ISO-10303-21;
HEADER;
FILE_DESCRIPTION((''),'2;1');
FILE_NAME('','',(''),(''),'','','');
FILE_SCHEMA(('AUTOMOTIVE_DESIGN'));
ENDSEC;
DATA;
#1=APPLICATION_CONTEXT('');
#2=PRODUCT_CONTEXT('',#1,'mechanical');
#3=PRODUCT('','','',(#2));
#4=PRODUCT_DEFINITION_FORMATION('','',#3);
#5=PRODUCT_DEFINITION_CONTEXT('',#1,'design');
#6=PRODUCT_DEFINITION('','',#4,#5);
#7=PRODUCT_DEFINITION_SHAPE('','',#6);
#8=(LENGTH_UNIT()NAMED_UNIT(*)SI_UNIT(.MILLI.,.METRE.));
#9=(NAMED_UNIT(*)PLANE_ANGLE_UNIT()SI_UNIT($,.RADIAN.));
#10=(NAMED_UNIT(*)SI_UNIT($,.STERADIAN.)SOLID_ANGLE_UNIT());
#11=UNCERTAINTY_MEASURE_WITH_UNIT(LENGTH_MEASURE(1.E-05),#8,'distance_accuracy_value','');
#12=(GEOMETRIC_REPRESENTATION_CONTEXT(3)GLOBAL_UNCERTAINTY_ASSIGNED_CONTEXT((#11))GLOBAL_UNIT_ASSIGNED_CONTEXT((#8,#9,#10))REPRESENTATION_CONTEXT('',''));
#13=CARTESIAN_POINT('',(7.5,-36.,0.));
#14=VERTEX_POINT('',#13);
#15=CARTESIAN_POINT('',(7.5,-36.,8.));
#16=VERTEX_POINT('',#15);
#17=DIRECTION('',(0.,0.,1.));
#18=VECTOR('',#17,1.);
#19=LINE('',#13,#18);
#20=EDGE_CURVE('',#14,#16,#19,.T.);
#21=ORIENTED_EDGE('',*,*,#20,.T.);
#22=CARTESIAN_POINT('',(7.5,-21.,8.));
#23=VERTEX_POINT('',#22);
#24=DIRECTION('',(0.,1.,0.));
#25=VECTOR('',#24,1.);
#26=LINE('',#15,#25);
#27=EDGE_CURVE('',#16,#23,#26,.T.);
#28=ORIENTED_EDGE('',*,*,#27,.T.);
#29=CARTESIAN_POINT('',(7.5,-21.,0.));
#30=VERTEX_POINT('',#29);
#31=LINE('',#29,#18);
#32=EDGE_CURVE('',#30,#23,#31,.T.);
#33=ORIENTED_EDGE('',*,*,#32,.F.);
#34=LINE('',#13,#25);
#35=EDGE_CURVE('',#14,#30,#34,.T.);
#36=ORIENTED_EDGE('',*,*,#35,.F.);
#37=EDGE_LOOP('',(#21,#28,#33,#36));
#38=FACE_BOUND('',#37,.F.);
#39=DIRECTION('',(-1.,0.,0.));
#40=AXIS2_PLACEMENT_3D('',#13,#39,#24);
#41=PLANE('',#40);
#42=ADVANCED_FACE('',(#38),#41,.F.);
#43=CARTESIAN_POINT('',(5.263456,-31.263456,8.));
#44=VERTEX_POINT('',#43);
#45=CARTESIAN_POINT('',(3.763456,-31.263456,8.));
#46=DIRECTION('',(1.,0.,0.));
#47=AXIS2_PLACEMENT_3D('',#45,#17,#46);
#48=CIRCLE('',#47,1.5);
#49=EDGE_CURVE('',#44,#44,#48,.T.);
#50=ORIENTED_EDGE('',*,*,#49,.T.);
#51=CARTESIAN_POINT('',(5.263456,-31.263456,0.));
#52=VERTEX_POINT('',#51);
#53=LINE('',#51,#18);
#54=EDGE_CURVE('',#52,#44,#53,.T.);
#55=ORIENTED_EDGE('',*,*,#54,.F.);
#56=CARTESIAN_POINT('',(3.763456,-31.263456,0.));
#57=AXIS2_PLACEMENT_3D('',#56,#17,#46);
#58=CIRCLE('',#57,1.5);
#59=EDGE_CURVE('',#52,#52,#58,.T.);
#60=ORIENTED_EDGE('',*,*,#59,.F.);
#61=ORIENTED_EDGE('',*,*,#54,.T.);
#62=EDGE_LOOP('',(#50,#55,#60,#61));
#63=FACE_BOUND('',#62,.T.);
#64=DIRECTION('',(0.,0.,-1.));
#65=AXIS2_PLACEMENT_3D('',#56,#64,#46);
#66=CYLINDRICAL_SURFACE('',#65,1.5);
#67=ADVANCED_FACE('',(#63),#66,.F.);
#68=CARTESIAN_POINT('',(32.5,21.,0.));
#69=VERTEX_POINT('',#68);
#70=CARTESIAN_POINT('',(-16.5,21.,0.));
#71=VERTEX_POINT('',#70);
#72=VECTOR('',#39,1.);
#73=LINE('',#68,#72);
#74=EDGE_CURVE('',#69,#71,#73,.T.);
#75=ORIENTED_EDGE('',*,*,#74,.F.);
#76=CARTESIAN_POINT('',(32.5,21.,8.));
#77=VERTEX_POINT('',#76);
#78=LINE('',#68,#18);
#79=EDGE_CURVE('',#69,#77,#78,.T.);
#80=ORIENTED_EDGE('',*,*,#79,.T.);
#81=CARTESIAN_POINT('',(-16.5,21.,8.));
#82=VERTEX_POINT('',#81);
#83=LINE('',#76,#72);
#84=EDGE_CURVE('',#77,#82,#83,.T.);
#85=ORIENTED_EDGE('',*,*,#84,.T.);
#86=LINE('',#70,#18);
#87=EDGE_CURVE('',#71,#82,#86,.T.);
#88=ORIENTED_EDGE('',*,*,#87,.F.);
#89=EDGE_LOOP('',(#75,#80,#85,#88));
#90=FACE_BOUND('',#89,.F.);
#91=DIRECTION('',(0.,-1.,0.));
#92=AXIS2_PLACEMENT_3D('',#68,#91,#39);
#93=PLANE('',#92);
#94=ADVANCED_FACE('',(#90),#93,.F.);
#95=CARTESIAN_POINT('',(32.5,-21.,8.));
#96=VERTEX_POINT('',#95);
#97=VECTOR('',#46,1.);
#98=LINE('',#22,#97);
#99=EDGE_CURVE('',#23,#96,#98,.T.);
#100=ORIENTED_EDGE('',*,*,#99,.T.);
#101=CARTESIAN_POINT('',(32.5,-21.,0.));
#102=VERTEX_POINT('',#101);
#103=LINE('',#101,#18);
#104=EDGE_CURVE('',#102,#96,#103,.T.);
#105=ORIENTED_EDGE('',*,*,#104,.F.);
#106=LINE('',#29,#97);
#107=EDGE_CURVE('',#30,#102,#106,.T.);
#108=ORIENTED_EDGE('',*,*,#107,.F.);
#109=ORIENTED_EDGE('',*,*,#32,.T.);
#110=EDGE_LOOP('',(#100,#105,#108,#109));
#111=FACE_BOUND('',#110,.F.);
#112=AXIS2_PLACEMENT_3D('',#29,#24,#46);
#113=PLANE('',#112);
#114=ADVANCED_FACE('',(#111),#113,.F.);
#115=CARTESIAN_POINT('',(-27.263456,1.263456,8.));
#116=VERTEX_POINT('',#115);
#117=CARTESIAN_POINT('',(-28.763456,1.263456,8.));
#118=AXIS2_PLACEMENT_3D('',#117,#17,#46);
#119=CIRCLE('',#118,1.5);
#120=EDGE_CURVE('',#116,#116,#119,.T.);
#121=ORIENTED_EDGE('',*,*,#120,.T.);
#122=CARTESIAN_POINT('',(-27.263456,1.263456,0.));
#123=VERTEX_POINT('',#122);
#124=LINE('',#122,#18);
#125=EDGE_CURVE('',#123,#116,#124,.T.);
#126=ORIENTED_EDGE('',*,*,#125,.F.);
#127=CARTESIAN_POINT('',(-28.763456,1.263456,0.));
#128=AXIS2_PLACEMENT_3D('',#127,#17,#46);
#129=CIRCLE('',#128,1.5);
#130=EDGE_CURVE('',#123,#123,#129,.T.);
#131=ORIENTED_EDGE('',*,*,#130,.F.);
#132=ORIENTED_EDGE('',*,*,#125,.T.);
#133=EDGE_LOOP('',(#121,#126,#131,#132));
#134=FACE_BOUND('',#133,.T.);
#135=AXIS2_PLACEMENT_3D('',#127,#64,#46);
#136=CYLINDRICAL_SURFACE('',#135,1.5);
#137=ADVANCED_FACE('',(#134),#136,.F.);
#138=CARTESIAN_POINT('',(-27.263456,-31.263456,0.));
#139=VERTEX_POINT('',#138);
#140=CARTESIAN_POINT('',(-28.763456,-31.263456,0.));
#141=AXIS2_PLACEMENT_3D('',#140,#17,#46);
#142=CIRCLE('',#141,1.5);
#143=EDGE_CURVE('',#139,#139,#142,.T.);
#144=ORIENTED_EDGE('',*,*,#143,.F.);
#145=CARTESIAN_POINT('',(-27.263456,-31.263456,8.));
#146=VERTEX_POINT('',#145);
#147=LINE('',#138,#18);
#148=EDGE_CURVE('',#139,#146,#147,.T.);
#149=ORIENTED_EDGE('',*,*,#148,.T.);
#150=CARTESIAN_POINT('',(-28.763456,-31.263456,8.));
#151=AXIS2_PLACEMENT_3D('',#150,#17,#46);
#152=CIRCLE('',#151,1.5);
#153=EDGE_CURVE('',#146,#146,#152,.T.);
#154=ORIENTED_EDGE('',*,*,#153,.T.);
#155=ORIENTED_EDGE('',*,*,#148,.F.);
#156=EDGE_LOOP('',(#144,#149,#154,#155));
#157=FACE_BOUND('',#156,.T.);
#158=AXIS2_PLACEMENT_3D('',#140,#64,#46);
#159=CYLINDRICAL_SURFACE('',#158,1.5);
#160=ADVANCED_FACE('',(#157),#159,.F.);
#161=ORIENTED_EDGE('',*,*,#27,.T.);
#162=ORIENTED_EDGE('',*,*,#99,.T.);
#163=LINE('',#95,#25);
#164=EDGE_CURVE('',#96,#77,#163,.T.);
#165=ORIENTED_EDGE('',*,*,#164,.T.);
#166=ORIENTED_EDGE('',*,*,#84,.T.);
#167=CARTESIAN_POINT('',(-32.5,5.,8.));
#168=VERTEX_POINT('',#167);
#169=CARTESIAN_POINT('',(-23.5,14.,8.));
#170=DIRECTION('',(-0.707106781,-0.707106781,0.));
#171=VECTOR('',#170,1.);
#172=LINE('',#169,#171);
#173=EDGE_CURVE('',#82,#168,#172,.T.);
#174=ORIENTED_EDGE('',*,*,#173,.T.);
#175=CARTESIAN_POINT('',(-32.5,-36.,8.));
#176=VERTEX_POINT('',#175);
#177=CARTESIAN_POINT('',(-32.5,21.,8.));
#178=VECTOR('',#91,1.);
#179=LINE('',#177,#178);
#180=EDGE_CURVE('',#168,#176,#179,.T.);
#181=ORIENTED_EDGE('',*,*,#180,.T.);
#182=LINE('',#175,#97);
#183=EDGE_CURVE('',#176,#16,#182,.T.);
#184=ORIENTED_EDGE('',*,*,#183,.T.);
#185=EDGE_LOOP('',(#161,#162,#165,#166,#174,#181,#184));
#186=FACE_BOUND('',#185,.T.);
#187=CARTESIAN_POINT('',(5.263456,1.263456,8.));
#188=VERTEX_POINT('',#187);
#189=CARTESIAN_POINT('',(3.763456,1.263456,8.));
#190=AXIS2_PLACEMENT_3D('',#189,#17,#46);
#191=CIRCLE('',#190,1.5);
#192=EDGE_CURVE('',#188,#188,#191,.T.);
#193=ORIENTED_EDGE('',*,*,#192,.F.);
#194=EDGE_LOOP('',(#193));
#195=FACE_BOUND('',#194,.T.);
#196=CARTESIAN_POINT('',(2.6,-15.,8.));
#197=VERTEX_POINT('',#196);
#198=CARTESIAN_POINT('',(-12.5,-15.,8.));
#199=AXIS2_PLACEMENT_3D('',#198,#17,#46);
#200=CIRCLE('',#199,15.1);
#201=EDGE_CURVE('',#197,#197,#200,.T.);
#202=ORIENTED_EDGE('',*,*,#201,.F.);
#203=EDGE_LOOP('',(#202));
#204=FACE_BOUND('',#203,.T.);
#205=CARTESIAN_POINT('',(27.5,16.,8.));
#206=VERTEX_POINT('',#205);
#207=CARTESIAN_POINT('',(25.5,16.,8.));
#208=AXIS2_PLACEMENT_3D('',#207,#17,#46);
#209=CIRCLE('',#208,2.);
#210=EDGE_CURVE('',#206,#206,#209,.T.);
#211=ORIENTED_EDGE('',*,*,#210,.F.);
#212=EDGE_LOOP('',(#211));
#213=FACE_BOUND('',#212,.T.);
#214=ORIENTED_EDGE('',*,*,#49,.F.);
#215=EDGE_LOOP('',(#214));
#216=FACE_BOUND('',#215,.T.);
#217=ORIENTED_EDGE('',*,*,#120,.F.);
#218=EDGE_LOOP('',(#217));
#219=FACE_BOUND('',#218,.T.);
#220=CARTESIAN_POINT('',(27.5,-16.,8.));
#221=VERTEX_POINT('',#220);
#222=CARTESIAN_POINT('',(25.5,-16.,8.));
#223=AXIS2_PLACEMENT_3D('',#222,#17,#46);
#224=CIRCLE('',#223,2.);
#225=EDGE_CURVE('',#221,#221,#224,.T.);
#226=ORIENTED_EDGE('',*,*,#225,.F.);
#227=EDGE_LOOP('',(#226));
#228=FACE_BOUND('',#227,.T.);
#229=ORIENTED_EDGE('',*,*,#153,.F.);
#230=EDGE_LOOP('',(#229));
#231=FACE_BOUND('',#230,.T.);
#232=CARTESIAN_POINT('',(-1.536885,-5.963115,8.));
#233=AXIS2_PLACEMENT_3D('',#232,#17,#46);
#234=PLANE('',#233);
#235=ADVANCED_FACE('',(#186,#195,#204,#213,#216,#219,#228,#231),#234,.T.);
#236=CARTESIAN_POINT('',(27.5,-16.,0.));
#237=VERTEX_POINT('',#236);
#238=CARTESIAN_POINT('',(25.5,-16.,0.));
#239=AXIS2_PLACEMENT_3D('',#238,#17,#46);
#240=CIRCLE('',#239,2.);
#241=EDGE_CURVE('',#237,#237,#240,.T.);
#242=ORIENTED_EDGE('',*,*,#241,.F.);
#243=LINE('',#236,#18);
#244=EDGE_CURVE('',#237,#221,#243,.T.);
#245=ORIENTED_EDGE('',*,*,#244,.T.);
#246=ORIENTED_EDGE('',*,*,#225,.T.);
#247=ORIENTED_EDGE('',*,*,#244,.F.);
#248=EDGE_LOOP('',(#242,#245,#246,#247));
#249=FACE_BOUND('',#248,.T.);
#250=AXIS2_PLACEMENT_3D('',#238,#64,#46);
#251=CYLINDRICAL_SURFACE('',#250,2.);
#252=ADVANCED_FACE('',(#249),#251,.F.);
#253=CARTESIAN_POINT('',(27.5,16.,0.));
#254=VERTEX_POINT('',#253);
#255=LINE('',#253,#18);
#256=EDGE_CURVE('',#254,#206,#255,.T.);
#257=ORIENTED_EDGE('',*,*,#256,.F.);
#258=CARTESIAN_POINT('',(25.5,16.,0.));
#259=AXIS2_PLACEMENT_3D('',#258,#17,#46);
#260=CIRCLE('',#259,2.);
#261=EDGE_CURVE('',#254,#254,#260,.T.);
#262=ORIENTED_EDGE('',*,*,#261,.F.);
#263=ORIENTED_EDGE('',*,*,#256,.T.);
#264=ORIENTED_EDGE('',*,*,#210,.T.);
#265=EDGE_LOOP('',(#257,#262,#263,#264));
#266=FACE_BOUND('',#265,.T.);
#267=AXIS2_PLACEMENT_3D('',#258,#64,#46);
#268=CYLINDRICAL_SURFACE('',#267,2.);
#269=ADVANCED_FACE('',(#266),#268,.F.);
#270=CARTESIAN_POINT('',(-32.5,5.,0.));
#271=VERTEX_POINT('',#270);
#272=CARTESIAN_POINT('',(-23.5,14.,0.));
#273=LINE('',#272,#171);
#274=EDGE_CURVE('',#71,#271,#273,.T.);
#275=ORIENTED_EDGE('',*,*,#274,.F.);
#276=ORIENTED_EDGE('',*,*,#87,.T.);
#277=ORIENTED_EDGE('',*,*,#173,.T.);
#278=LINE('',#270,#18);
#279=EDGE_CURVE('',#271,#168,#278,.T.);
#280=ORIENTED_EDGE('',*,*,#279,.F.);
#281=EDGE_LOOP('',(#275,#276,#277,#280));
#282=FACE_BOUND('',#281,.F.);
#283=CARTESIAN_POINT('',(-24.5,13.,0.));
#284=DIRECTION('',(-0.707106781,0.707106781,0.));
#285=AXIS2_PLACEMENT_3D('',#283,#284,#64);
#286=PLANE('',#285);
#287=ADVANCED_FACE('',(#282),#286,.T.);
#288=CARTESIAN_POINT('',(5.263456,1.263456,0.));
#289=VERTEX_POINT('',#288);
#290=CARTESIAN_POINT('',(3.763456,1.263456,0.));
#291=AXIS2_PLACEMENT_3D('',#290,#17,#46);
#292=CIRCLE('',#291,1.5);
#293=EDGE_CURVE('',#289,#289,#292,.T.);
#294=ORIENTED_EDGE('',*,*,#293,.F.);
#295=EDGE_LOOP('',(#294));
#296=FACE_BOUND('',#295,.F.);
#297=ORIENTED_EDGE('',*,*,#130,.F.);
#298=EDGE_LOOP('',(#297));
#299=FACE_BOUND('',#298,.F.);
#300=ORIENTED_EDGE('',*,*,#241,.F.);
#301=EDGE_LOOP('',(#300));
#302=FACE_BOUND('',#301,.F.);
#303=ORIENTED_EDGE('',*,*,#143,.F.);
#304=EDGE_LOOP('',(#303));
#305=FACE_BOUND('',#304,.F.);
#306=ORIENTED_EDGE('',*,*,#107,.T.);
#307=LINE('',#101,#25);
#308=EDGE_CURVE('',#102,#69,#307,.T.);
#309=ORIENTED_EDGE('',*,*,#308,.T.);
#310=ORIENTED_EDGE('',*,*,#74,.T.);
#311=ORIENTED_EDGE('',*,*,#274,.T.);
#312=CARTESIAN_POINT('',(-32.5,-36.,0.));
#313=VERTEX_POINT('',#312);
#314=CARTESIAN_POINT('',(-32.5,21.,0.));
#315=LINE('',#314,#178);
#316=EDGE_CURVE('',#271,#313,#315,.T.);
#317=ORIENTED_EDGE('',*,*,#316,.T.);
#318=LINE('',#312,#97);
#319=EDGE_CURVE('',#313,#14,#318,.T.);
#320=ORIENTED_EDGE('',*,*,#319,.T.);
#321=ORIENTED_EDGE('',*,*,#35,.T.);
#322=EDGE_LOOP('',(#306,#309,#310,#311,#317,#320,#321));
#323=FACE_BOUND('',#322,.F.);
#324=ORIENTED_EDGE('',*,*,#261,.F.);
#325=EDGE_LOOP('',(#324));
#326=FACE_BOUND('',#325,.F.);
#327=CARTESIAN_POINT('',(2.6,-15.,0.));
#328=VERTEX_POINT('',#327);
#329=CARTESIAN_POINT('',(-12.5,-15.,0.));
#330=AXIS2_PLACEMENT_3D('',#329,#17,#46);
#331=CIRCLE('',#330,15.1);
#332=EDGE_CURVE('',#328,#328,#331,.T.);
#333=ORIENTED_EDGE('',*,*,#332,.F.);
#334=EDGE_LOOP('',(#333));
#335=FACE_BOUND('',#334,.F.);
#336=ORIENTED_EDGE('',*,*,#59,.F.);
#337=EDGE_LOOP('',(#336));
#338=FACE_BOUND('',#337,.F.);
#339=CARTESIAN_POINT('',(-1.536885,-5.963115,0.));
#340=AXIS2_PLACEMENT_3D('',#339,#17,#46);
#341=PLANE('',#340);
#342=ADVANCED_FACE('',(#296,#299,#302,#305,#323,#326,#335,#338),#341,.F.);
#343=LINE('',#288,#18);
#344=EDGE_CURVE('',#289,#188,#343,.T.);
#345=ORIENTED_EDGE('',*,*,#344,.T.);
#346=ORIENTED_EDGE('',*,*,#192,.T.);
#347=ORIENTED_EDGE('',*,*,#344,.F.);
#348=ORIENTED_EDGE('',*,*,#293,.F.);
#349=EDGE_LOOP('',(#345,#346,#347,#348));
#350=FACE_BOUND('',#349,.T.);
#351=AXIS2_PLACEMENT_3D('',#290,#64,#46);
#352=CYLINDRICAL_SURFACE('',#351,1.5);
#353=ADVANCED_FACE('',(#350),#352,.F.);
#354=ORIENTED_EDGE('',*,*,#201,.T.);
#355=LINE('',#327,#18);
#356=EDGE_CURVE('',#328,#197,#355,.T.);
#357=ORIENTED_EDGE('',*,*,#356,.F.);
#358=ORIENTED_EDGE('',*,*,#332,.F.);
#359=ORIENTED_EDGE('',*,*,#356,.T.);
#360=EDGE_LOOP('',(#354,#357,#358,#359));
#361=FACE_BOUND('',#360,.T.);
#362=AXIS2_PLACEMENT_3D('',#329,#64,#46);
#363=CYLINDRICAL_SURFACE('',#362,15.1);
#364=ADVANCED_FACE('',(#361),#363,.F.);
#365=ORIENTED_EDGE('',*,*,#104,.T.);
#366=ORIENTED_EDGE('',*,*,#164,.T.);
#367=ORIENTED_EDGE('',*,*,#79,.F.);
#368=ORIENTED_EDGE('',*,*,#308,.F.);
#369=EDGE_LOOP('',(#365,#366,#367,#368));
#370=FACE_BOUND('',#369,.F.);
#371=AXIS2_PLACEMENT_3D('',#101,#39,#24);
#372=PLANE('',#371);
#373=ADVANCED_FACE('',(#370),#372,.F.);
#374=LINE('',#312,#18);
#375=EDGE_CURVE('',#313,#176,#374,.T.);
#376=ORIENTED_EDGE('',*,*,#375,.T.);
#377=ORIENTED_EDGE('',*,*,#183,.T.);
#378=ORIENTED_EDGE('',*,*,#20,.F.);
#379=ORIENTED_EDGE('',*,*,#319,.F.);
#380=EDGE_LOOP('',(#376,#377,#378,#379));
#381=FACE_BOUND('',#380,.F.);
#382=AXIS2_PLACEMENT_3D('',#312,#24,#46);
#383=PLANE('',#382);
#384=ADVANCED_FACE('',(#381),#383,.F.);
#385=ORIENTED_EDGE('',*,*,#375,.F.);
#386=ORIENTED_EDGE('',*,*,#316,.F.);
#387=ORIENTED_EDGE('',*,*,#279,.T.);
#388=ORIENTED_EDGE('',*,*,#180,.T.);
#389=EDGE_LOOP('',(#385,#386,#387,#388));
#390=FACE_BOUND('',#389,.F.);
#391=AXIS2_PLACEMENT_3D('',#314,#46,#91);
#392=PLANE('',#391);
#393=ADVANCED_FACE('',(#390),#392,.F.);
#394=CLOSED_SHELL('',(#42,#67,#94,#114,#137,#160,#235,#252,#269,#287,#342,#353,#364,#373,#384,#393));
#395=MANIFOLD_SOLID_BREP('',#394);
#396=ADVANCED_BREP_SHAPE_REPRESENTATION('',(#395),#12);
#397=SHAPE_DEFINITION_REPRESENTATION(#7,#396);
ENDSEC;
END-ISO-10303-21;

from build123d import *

# Parameters (mm, degrees)
F0_R     = 1.5
F0_R_2   = 15.1
F0_R_3   = 2
F1_DEPTH = 8
F2_SIZE  = 16


with BuildPart() as f1:
    # F0 (on Top) → F1 (new body)
    with BuildSketch(Plane.XY):
        Polygon((32.5, -21), (32.5, 21), (-32.5, 21), (-32.5, -21), (-32.5, -36), (7.5, -36), (7.5, -21), align=None)
        with Locations((-28.763456, -31.263456)):
            Circle(F0_R, mode=Mode.SUBTRACT)
        with Locations((-12.5, -15)):
            Circle(F0_R_2, mode=Mode.SUBTRACT)
        with Locations((3.763456, -31.263456)):
            Circle(F0_R, mode=Mode.SUBTRACT)
        with Locations((25.5, -16)):
            Circle(F0_R_3, mode=Mode.SUBTRACT)
        with Locations((-28.763456, 1.263456)):
            Circle(F0_R, mode=Mode.SUBTRACT)
        with Locations((3.763456, 1.263456)):
            Circle(F0_R, mode=Mode.SUBTRACT)
        with Locations((25.5, 16)):
            Circle(F0_R_3, mode=Mode.SUBTRACT)
    extrude(amount=F1_DEPTH)

    # F2
    f2_edges = [f1.edges().sort_by_distance(p)[0] for p in [
        (-32.5, 21, 4),
    ]]
    chamfer(f2_edges, length=F2_SIZE)


solid = f1.part
